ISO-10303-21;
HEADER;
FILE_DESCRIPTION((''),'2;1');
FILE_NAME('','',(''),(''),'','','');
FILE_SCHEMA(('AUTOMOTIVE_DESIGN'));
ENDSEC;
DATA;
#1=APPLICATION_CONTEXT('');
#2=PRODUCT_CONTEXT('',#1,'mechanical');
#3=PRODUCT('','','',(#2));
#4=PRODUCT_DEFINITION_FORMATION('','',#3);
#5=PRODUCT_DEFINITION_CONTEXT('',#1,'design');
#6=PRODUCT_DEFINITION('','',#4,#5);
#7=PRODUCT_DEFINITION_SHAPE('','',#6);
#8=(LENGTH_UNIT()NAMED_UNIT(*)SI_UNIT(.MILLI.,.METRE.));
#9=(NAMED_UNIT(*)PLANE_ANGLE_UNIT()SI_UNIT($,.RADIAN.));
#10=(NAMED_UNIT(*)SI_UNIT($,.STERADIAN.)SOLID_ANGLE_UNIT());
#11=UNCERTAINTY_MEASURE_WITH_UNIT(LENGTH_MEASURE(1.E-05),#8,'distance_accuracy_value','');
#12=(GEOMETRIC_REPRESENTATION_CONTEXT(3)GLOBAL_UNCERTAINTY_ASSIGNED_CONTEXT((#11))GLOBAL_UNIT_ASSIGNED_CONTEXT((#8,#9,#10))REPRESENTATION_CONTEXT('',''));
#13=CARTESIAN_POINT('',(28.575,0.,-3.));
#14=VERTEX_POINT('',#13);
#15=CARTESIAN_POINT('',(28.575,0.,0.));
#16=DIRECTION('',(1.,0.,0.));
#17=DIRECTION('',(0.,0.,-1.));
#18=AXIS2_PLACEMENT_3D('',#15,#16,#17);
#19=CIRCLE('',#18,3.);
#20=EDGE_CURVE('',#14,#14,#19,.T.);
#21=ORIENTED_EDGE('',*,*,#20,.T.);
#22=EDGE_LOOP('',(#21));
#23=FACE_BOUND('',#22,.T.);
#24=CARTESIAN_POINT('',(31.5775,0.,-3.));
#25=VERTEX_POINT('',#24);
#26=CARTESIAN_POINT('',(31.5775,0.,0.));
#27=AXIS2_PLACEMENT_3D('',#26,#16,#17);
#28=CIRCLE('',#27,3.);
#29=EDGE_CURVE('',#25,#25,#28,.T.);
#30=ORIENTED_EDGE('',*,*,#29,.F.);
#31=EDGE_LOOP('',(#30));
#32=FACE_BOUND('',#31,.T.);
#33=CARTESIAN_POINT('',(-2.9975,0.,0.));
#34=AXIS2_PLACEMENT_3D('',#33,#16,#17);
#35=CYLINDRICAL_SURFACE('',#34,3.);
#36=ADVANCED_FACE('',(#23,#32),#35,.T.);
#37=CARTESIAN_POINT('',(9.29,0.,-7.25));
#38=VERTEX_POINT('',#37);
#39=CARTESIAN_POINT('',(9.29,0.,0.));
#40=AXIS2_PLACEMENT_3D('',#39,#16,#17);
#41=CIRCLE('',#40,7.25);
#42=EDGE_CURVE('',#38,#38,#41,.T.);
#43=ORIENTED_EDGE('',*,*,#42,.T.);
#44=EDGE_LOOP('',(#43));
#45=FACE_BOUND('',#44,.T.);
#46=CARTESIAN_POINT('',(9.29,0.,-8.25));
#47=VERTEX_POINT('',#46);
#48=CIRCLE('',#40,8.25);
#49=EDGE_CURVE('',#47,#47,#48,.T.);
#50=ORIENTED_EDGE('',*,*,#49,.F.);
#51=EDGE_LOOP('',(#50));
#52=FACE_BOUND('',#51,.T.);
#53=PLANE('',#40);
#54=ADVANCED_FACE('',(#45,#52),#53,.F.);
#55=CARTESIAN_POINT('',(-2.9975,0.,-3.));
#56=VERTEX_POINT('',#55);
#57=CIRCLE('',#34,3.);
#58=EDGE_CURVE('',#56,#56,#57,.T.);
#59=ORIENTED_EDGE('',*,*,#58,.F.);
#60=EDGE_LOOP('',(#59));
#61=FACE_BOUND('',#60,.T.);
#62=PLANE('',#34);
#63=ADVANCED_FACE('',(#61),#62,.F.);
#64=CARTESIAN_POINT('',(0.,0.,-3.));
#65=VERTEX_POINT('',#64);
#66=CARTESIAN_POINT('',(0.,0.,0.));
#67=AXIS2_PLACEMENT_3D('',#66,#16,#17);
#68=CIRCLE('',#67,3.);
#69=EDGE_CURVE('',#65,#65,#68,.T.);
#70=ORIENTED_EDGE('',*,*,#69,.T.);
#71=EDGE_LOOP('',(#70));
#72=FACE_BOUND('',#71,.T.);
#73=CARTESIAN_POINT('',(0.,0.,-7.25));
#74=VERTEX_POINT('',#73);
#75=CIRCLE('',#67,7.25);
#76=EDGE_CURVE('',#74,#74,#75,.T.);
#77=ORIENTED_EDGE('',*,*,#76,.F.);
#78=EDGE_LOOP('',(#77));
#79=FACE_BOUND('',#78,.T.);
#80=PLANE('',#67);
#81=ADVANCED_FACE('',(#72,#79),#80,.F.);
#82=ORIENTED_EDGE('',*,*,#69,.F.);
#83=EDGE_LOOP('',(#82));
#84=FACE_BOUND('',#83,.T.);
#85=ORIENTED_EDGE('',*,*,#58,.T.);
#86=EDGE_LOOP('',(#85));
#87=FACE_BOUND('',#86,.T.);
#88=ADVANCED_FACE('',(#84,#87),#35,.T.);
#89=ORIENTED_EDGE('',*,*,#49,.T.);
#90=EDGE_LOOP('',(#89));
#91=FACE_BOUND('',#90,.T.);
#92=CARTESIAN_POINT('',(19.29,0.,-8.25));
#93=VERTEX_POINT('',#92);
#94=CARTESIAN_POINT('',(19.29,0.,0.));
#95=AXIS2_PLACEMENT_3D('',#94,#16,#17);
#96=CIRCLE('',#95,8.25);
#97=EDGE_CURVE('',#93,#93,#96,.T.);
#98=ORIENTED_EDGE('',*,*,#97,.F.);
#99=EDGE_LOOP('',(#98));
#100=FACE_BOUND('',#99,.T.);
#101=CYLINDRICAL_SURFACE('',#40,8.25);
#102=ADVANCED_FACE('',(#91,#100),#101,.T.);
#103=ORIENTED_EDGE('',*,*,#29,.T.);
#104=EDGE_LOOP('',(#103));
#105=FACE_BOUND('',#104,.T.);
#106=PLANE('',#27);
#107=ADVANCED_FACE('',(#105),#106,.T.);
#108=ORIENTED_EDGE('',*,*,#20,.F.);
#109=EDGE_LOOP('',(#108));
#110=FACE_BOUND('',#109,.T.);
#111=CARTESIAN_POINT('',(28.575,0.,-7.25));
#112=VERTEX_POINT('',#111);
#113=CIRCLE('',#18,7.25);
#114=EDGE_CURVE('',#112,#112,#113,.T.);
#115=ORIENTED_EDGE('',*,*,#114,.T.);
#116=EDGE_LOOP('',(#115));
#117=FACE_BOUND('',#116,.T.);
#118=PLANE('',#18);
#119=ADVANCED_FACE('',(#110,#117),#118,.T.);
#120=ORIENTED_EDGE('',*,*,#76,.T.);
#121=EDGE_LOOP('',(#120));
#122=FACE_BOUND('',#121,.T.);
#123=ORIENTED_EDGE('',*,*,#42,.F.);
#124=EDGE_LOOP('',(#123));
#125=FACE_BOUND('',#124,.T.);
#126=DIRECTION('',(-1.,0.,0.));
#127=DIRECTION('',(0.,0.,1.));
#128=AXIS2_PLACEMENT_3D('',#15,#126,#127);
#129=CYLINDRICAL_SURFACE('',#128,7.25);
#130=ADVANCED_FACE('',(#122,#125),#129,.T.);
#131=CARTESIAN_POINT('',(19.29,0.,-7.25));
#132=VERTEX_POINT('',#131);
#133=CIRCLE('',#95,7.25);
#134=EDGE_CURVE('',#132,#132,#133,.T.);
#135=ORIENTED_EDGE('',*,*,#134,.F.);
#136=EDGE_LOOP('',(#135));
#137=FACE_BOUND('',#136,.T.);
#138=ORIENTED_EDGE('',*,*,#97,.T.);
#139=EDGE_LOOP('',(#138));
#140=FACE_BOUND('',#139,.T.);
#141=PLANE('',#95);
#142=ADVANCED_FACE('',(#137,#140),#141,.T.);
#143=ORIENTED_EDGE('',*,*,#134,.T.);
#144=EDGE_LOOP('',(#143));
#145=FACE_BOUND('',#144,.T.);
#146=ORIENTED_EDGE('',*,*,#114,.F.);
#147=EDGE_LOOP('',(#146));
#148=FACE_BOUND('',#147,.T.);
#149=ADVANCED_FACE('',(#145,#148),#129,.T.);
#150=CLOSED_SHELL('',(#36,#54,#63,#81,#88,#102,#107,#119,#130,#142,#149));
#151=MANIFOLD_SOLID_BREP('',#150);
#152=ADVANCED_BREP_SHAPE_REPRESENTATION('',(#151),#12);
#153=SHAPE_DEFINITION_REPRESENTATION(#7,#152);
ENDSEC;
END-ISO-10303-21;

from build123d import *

# Parameters (mm, degrees)
COILBASE_R                     = 7.25
BOSS_EXTRUDE1_DEPTH            = 28.575
WIREHOUSING_EXTRUDE_DEPTH      = 5
WIREHOUSING_EXTRUDE_DEPTH_BACK = 5
WIREHOUSING_R                  = 8.25
BOSS_EXTRUDE3_DEPTH            = 17.2875
BOSS_EXTRUDE3_DEPTH_BACK       = 17.2875
CLEARANCEFORACTUATOR_R         = 3


with BuildPart() as part:
    # CoilBase → Boss-Extrude1 (new body)
    with BuildSketch(Plane(origin=(0, 0, 0), x_dir=(0, 0, -1), z_dir=(1, 0, 0))):
        Circle(COILBASE_R)
    extrude(amount=BOSS_EXTRUDE1_DEPTH)

    # WireHousing → WireHousing-Extrude (add, two sides: drawn at the far end of the back side and taken through both)
    with BuildSketch(Plane(origin=(14.29, 0, 0), x_dir=(0, 0, -1), z_dir=(1, 0, 0)).offset(-WIREHOUSING_EXTRUDE_DEPTH_BACK)):
        Circle(WIREHOUSING_R)
    extrude(amount=WIREHOUSING_EXTRUDE_DEPTH + WIREHOUSING_EXTRUDE_DEPTH_BACK)

    # ClearanceForActuator → Boss-Extrude3 (add, two sides: drawn at the far end of the back side and taken through both)
    with BuildSketch(Plane(origin=(14.29, 0, 0), x_dir=(0, 0, -1), z_dir=(1, 0, 0)).offset(-BOSS_EXTRUDE3_DEPTH_BACK)):
        Circle(CLEARANCEFORACTUATOR_R)
    extrude(amount=BOSS_EXTRUDE3_DEPTH + BOSS_EXTRUDE3_DEPTH_BACK)


solid = part.part
